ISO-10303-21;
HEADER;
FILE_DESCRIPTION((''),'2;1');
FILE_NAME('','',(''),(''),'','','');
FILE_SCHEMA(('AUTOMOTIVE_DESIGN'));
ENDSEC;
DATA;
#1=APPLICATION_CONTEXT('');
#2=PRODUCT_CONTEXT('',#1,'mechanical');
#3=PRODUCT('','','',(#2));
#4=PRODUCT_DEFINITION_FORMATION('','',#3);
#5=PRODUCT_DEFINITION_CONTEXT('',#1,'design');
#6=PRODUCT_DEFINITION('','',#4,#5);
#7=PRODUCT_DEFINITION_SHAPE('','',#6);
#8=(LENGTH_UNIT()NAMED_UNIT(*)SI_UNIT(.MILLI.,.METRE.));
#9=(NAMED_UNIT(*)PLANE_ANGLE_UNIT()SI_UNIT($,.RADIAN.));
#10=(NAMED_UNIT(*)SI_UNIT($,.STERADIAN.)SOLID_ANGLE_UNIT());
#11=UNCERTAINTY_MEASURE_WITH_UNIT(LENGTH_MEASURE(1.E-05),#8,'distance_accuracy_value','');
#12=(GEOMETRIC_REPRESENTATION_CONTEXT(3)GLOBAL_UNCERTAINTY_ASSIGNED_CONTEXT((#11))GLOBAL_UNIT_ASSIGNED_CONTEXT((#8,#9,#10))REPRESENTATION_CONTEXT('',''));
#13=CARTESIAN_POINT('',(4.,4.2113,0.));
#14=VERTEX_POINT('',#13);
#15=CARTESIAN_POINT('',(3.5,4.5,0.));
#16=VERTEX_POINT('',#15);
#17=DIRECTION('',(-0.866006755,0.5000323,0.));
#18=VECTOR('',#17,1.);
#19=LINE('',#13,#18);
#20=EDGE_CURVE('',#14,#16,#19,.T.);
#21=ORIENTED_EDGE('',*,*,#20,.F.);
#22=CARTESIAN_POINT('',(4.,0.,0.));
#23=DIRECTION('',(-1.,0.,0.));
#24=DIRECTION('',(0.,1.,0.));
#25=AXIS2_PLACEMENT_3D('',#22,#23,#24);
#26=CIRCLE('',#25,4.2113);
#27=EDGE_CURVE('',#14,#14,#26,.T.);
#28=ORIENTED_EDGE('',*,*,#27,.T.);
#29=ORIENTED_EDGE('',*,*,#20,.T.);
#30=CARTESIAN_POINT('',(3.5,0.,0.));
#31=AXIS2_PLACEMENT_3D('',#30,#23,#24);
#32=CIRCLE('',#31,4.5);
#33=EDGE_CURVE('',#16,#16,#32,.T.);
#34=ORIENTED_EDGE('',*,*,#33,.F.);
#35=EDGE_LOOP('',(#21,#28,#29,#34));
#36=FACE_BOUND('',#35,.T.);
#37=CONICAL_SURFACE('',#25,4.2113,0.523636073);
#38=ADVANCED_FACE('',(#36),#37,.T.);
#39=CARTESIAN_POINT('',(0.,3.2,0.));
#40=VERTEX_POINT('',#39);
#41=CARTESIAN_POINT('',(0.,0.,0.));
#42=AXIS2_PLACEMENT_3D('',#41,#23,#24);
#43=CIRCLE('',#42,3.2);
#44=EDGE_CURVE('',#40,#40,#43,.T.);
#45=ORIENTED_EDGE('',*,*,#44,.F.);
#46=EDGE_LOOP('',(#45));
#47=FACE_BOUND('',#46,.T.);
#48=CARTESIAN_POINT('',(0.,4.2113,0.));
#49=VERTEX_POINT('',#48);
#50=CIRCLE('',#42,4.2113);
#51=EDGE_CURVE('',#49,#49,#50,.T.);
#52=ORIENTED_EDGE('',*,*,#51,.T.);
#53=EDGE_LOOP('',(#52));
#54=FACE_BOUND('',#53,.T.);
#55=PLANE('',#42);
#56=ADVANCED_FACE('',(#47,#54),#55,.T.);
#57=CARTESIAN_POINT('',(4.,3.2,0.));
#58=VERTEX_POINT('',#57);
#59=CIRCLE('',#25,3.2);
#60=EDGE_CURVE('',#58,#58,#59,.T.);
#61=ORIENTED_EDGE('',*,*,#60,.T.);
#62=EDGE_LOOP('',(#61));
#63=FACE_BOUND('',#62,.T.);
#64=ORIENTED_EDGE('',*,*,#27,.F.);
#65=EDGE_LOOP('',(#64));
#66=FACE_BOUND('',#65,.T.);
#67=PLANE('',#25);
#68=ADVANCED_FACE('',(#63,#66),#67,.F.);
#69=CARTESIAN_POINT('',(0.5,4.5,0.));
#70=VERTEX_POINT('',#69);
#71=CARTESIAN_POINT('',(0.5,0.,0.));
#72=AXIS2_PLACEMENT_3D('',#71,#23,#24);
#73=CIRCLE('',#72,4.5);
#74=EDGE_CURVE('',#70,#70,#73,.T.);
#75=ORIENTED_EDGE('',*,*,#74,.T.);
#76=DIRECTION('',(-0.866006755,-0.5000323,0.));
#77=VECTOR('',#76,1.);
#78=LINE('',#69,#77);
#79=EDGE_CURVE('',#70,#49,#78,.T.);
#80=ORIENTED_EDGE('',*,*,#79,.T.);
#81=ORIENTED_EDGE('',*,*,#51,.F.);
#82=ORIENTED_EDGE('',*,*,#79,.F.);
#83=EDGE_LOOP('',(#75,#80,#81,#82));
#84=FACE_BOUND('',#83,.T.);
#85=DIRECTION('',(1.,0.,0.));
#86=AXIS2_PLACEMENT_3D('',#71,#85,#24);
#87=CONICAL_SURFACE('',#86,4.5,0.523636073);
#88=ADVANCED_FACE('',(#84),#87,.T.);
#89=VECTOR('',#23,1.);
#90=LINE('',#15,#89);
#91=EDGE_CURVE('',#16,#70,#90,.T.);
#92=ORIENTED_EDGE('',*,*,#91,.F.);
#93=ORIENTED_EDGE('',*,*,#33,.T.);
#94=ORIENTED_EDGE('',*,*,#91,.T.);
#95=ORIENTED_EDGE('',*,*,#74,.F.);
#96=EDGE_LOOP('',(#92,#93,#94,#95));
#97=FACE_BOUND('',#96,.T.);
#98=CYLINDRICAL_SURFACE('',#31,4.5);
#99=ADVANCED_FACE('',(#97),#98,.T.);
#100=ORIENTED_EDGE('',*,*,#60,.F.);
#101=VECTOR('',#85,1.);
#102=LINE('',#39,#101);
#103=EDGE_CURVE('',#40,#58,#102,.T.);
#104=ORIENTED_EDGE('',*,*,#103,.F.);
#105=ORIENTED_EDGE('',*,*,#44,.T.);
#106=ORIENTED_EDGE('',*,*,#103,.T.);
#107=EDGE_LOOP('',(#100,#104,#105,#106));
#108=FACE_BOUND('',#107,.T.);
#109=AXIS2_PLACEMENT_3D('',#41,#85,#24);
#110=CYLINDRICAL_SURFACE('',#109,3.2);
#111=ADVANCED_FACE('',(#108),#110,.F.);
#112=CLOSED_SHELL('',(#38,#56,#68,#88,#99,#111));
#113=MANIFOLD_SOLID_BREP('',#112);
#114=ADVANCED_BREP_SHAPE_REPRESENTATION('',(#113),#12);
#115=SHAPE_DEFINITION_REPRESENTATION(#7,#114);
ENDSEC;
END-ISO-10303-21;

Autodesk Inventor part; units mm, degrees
sketch "Sketch_1" plane through (0, 0, 0) normal (0, 0, 1) x (1, 0, 0)
  line L0 (4, 0) -> (0, 0)
  line L1 (0, 3.2) -> (4, 3.2)
  line L2 (4, 3.2) -> (4, 4.2113)
  line L3 (4, 4.2113) -> (3.5, 4.5)
  line L4 (3.5, 4.5) -> (0.5, 4.5)
  line L5 (0.5, 4.5) -> (0, 4.2113)
  line L6 (0, 4.2113) -> (0, 3.2)
revolve "Revolution1" add sketch "Sketch_1" angle 360 about axis through (4, 0, 0) along (-1, 0, 0)
ref_plane "anbau_XY" through (0, 0, 0) normal (1, 0, 0) x (0, 0, -1)
ref_plane "anbau_YZ" through (0, 0, 0) normal (0, 0, -1) x (0, 1, 0)
ref_plane "anbau_ZX" through (0, 0, 0) normal (0, 1, 0) x (1, 0, 0)
ref_plane "insert_XY" through (0, 0, 0) normal (1, 0, 0) x (0, 0, -1)
ref_plane "insert_YZ" through (0, 0, 0) normal (0, 0, -1) x (0, 1, 0)
ref_plane "insert_ZX" through (0, 0, 0) normal (0, 1, 0) x (1, 0, 0)
ref_plane "schraube_punkt_XY" through (4, 0, 0) normal (1, 0, 0) x (0, 0, -1)
ref_plane "schraube_punkt_YZ" through (4, 0, 0) normal (0, 0, -1) x (0, 1, 0)
ref_plane "schraube_punkt_ZX" through (4, 0, 0) normal (0, 1, 0) x (1, 0, 0)
properties part number "150927 ZBH-9"
